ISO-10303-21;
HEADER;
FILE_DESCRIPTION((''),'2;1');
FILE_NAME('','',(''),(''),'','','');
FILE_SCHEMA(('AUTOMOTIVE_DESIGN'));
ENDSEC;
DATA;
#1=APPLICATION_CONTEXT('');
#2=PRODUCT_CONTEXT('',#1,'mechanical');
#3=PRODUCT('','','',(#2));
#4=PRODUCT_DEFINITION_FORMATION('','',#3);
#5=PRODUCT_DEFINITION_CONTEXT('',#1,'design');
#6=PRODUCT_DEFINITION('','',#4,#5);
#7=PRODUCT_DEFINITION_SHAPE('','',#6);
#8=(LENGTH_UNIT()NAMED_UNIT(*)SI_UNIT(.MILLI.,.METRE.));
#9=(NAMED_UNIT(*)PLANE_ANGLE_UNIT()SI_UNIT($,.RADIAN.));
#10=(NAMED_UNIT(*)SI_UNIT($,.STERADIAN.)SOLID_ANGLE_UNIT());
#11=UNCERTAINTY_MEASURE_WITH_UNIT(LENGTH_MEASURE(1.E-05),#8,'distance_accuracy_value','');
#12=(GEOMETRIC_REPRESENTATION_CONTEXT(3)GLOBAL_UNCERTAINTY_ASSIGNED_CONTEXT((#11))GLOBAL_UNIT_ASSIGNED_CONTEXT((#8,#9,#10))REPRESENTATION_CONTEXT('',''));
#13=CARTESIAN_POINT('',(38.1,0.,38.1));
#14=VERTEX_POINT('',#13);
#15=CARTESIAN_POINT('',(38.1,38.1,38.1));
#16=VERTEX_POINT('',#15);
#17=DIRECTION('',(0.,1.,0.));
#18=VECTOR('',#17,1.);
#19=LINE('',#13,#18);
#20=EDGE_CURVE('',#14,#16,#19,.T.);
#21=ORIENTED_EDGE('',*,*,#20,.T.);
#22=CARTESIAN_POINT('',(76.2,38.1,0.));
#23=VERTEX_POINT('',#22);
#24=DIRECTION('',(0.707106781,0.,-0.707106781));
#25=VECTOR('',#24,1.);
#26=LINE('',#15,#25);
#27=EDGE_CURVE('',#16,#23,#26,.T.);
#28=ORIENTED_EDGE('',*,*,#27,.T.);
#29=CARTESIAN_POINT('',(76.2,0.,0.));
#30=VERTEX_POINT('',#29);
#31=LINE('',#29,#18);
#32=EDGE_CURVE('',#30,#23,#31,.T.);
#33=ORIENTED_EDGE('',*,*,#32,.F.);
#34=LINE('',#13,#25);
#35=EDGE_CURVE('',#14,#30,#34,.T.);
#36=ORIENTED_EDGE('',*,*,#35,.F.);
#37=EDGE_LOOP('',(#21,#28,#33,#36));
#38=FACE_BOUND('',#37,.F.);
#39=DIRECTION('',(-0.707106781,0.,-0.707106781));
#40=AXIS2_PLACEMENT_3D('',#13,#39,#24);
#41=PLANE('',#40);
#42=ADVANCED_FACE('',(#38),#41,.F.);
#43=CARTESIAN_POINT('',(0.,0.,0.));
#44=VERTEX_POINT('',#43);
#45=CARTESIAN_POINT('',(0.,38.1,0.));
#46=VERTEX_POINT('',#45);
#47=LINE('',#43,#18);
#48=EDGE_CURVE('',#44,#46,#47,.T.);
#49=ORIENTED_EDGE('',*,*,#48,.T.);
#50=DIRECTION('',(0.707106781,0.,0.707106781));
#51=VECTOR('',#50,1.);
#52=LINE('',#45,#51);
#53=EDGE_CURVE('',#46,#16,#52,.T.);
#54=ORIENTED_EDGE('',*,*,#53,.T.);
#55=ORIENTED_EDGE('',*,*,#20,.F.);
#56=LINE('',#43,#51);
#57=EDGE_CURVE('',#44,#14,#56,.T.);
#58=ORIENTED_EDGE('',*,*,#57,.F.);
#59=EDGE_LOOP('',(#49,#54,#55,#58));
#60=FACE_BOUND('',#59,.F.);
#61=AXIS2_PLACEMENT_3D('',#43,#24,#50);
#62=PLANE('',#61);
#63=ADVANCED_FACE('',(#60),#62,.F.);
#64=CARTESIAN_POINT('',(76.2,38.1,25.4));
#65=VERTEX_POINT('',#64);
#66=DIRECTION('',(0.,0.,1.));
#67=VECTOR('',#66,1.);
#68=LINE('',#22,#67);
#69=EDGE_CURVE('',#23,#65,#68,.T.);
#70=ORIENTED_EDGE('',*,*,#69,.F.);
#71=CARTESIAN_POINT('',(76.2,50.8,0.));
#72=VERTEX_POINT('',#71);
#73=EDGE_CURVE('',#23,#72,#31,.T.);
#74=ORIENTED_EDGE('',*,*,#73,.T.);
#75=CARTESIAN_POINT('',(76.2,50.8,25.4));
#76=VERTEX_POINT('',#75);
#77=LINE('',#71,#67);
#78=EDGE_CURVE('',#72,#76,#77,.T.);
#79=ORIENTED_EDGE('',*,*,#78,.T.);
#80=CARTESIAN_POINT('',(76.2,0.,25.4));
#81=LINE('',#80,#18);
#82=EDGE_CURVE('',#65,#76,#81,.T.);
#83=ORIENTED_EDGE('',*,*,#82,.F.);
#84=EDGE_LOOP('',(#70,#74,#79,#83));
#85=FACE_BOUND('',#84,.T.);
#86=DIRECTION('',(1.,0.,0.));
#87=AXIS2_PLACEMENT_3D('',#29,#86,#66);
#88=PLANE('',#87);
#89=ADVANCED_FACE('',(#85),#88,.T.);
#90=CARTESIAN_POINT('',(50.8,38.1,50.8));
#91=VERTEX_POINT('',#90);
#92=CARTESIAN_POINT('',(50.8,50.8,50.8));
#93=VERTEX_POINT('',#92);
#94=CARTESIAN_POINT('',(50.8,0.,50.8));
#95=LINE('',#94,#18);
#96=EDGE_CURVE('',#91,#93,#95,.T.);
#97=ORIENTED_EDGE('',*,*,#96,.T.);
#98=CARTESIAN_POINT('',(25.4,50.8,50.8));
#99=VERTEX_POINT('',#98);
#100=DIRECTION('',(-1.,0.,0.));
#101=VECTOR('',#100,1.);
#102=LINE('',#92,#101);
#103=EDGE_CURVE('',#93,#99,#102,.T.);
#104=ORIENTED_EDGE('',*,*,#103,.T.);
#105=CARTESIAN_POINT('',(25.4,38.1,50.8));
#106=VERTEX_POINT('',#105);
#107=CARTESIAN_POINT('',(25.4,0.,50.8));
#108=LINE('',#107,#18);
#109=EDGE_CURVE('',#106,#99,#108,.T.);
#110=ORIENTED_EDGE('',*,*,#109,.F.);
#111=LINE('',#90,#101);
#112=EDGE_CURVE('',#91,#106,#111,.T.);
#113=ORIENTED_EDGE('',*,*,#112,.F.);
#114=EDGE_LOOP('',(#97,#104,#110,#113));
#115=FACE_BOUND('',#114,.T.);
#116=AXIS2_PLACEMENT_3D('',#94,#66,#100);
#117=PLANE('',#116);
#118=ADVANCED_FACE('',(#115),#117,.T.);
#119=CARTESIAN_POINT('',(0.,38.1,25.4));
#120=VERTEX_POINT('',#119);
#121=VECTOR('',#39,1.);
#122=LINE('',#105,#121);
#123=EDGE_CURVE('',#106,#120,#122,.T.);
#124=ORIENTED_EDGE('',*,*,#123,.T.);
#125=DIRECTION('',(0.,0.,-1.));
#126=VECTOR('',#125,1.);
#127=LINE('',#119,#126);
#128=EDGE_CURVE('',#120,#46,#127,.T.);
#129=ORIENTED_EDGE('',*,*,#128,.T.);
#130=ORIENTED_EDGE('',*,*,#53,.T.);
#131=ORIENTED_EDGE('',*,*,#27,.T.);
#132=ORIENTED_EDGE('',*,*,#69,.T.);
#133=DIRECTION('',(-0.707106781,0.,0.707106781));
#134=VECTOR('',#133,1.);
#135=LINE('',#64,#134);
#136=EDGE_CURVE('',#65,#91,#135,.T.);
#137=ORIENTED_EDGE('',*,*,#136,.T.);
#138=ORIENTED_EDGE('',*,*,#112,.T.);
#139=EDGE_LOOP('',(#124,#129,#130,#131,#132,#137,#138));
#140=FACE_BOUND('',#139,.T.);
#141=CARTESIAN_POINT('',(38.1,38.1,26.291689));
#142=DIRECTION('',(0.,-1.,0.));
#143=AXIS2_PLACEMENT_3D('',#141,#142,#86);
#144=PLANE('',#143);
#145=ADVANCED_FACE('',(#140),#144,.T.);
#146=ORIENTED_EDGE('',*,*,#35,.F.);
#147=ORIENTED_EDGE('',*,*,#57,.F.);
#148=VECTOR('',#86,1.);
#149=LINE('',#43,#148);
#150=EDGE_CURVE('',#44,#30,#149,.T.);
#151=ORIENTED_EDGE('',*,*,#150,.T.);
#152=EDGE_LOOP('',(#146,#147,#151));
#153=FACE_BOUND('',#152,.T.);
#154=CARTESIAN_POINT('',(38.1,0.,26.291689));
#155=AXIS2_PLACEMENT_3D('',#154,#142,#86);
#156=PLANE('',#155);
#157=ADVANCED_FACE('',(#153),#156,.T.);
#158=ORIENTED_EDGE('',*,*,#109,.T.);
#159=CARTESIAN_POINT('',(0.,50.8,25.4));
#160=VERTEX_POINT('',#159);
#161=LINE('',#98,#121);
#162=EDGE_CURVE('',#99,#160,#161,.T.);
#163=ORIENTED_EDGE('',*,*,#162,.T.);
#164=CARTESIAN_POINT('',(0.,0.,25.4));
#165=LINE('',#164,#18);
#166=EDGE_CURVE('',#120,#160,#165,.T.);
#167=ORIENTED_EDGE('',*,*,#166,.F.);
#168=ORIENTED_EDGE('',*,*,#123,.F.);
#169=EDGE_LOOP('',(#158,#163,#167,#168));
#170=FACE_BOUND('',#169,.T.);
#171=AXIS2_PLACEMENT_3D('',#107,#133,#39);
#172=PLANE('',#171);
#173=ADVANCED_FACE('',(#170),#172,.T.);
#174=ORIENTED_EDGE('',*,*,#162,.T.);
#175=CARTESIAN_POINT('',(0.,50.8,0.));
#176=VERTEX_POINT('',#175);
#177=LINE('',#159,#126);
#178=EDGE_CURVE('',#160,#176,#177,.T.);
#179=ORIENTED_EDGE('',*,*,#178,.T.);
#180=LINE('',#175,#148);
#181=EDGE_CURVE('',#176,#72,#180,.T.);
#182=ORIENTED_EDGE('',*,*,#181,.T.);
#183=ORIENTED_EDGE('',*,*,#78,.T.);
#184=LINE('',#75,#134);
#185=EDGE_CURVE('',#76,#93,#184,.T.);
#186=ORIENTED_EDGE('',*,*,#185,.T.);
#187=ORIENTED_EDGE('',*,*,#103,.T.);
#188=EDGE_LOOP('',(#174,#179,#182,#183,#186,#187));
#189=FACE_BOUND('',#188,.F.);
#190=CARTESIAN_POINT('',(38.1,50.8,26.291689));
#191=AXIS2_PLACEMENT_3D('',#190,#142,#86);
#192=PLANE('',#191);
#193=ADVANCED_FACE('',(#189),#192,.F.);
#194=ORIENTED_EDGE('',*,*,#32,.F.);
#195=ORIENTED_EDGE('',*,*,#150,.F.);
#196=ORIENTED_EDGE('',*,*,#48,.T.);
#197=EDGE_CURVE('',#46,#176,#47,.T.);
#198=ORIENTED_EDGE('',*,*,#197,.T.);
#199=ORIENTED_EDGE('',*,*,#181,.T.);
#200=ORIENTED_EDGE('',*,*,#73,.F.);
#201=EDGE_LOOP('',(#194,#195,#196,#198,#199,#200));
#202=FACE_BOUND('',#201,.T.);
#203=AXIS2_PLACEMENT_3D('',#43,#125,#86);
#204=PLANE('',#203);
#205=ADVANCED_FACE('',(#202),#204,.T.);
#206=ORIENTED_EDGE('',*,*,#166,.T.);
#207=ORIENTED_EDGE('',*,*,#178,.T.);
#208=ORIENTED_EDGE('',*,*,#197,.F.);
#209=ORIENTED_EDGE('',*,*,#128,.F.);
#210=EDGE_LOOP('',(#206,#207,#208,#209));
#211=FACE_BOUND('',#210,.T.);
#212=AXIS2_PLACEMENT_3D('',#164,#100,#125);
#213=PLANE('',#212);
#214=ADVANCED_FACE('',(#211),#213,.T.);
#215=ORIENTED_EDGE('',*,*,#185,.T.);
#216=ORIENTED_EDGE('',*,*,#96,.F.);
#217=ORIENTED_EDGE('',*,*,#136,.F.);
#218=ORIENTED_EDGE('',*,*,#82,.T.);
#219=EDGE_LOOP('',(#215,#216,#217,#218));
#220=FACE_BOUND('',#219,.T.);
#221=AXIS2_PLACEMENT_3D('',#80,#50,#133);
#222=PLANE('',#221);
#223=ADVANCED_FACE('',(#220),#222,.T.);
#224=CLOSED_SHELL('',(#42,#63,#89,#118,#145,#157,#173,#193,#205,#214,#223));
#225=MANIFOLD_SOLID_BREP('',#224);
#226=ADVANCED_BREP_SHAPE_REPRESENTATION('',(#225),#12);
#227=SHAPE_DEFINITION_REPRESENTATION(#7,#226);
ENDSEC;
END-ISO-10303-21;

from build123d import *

# Parameters (mm, degrees)
F0_W     = 38.1
F0_H     = 12.7
F1_DEPTH = 50.8
F2_DEPTH = 38.1


with BuildPart() as f1:
    # F0 (on Front) → F1 (new body)
    with BuildSketch(Plane.XZ):
        Polygon((0, 25.4), (0, 0), (38.1, 38.1), (76.2, 0), (76.2, 25.4), (50.8, 50.8), (25.4, 50.8), align=None)
        Polygon((38.1, 38.1), (0, 0), (19.05, 0), (19.05, 12.7), (57.15, 12.7), (57.15, 0), (76.2, 0), align=None)
        with Locations((38.1, 6.35)):
            Rectangle(F0_W, F0_H)
    extrude(amount=-F1_DEPTH)

    # F0 (on Front) → F2 (cut)
    with BuildSketch(Plane.XZ):
        Polygon((0, 25.4), (0, 0), (38.1, 38.1), (76.2, 0), (76.2, 25.4), (50.8, 50.8), (25.4, 50.8), align=None)
    extrude(amount=-F2_DEPTH, mode=Mode.SUBTRACT)


solid = f1.part
